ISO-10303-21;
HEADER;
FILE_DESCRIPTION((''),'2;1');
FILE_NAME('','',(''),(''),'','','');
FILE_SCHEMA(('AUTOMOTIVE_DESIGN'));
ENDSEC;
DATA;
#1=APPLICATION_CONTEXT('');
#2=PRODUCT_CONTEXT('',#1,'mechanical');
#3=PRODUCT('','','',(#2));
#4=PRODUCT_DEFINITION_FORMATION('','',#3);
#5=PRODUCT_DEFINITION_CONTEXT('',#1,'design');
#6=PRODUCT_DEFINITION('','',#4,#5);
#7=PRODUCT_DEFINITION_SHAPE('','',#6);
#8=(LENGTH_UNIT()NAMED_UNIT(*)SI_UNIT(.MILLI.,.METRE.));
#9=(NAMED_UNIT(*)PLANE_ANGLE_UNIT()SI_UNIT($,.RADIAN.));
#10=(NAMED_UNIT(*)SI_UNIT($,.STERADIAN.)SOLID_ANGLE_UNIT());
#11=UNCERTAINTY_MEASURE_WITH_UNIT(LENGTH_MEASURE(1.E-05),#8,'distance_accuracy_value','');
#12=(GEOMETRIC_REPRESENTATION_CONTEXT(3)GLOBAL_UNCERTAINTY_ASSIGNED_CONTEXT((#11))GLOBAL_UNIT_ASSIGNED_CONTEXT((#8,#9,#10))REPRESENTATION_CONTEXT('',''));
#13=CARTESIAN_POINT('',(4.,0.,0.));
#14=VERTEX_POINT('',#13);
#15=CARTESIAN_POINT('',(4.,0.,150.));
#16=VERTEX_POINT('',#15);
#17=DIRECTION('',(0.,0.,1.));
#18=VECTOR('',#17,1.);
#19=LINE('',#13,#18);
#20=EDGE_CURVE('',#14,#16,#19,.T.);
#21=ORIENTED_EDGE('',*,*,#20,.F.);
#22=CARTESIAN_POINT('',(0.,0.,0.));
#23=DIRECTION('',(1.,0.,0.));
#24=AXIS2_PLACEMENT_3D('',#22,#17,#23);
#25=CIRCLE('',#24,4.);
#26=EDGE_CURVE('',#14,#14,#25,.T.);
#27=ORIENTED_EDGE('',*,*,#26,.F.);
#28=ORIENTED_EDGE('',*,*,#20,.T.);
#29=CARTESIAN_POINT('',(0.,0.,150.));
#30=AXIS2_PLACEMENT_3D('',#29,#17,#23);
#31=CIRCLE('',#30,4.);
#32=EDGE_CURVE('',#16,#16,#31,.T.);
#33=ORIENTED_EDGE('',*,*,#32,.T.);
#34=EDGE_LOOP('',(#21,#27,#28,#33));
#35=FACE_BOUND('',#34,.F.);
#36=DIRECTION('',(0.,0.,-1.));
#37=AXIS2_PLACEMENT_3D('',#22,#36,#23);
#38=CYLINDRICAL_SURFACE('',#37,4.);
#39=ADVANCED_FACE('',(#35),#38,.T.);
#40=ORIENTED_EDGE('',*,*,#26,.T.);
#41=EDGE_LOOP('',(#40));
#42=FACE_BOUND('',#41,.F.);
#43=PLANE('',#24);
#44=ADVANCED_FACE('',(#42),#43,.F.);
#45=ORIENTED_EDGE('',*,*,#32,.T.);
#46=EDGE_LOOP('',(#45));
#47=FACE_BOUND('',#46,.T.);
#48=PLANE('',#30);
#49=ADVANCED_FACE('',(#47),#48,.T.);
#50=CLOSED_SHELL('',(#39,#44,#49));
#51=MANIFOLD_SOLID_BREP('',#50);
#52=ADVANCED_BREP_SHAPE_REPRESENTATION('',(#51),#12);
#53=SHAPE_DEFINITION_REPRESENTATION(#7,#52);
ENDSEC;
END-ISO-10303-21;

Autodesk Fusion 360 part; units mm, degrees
sketch "Sketch1" plane through (0, 0, 0) normal (0, 0, 1) x (1, 0, 0)
  circle A0 centre (0, 0) radius 4
  dimension "d1" = 8
extrude "Extrude1" add sketch "Sketch1" along normal blind 150
